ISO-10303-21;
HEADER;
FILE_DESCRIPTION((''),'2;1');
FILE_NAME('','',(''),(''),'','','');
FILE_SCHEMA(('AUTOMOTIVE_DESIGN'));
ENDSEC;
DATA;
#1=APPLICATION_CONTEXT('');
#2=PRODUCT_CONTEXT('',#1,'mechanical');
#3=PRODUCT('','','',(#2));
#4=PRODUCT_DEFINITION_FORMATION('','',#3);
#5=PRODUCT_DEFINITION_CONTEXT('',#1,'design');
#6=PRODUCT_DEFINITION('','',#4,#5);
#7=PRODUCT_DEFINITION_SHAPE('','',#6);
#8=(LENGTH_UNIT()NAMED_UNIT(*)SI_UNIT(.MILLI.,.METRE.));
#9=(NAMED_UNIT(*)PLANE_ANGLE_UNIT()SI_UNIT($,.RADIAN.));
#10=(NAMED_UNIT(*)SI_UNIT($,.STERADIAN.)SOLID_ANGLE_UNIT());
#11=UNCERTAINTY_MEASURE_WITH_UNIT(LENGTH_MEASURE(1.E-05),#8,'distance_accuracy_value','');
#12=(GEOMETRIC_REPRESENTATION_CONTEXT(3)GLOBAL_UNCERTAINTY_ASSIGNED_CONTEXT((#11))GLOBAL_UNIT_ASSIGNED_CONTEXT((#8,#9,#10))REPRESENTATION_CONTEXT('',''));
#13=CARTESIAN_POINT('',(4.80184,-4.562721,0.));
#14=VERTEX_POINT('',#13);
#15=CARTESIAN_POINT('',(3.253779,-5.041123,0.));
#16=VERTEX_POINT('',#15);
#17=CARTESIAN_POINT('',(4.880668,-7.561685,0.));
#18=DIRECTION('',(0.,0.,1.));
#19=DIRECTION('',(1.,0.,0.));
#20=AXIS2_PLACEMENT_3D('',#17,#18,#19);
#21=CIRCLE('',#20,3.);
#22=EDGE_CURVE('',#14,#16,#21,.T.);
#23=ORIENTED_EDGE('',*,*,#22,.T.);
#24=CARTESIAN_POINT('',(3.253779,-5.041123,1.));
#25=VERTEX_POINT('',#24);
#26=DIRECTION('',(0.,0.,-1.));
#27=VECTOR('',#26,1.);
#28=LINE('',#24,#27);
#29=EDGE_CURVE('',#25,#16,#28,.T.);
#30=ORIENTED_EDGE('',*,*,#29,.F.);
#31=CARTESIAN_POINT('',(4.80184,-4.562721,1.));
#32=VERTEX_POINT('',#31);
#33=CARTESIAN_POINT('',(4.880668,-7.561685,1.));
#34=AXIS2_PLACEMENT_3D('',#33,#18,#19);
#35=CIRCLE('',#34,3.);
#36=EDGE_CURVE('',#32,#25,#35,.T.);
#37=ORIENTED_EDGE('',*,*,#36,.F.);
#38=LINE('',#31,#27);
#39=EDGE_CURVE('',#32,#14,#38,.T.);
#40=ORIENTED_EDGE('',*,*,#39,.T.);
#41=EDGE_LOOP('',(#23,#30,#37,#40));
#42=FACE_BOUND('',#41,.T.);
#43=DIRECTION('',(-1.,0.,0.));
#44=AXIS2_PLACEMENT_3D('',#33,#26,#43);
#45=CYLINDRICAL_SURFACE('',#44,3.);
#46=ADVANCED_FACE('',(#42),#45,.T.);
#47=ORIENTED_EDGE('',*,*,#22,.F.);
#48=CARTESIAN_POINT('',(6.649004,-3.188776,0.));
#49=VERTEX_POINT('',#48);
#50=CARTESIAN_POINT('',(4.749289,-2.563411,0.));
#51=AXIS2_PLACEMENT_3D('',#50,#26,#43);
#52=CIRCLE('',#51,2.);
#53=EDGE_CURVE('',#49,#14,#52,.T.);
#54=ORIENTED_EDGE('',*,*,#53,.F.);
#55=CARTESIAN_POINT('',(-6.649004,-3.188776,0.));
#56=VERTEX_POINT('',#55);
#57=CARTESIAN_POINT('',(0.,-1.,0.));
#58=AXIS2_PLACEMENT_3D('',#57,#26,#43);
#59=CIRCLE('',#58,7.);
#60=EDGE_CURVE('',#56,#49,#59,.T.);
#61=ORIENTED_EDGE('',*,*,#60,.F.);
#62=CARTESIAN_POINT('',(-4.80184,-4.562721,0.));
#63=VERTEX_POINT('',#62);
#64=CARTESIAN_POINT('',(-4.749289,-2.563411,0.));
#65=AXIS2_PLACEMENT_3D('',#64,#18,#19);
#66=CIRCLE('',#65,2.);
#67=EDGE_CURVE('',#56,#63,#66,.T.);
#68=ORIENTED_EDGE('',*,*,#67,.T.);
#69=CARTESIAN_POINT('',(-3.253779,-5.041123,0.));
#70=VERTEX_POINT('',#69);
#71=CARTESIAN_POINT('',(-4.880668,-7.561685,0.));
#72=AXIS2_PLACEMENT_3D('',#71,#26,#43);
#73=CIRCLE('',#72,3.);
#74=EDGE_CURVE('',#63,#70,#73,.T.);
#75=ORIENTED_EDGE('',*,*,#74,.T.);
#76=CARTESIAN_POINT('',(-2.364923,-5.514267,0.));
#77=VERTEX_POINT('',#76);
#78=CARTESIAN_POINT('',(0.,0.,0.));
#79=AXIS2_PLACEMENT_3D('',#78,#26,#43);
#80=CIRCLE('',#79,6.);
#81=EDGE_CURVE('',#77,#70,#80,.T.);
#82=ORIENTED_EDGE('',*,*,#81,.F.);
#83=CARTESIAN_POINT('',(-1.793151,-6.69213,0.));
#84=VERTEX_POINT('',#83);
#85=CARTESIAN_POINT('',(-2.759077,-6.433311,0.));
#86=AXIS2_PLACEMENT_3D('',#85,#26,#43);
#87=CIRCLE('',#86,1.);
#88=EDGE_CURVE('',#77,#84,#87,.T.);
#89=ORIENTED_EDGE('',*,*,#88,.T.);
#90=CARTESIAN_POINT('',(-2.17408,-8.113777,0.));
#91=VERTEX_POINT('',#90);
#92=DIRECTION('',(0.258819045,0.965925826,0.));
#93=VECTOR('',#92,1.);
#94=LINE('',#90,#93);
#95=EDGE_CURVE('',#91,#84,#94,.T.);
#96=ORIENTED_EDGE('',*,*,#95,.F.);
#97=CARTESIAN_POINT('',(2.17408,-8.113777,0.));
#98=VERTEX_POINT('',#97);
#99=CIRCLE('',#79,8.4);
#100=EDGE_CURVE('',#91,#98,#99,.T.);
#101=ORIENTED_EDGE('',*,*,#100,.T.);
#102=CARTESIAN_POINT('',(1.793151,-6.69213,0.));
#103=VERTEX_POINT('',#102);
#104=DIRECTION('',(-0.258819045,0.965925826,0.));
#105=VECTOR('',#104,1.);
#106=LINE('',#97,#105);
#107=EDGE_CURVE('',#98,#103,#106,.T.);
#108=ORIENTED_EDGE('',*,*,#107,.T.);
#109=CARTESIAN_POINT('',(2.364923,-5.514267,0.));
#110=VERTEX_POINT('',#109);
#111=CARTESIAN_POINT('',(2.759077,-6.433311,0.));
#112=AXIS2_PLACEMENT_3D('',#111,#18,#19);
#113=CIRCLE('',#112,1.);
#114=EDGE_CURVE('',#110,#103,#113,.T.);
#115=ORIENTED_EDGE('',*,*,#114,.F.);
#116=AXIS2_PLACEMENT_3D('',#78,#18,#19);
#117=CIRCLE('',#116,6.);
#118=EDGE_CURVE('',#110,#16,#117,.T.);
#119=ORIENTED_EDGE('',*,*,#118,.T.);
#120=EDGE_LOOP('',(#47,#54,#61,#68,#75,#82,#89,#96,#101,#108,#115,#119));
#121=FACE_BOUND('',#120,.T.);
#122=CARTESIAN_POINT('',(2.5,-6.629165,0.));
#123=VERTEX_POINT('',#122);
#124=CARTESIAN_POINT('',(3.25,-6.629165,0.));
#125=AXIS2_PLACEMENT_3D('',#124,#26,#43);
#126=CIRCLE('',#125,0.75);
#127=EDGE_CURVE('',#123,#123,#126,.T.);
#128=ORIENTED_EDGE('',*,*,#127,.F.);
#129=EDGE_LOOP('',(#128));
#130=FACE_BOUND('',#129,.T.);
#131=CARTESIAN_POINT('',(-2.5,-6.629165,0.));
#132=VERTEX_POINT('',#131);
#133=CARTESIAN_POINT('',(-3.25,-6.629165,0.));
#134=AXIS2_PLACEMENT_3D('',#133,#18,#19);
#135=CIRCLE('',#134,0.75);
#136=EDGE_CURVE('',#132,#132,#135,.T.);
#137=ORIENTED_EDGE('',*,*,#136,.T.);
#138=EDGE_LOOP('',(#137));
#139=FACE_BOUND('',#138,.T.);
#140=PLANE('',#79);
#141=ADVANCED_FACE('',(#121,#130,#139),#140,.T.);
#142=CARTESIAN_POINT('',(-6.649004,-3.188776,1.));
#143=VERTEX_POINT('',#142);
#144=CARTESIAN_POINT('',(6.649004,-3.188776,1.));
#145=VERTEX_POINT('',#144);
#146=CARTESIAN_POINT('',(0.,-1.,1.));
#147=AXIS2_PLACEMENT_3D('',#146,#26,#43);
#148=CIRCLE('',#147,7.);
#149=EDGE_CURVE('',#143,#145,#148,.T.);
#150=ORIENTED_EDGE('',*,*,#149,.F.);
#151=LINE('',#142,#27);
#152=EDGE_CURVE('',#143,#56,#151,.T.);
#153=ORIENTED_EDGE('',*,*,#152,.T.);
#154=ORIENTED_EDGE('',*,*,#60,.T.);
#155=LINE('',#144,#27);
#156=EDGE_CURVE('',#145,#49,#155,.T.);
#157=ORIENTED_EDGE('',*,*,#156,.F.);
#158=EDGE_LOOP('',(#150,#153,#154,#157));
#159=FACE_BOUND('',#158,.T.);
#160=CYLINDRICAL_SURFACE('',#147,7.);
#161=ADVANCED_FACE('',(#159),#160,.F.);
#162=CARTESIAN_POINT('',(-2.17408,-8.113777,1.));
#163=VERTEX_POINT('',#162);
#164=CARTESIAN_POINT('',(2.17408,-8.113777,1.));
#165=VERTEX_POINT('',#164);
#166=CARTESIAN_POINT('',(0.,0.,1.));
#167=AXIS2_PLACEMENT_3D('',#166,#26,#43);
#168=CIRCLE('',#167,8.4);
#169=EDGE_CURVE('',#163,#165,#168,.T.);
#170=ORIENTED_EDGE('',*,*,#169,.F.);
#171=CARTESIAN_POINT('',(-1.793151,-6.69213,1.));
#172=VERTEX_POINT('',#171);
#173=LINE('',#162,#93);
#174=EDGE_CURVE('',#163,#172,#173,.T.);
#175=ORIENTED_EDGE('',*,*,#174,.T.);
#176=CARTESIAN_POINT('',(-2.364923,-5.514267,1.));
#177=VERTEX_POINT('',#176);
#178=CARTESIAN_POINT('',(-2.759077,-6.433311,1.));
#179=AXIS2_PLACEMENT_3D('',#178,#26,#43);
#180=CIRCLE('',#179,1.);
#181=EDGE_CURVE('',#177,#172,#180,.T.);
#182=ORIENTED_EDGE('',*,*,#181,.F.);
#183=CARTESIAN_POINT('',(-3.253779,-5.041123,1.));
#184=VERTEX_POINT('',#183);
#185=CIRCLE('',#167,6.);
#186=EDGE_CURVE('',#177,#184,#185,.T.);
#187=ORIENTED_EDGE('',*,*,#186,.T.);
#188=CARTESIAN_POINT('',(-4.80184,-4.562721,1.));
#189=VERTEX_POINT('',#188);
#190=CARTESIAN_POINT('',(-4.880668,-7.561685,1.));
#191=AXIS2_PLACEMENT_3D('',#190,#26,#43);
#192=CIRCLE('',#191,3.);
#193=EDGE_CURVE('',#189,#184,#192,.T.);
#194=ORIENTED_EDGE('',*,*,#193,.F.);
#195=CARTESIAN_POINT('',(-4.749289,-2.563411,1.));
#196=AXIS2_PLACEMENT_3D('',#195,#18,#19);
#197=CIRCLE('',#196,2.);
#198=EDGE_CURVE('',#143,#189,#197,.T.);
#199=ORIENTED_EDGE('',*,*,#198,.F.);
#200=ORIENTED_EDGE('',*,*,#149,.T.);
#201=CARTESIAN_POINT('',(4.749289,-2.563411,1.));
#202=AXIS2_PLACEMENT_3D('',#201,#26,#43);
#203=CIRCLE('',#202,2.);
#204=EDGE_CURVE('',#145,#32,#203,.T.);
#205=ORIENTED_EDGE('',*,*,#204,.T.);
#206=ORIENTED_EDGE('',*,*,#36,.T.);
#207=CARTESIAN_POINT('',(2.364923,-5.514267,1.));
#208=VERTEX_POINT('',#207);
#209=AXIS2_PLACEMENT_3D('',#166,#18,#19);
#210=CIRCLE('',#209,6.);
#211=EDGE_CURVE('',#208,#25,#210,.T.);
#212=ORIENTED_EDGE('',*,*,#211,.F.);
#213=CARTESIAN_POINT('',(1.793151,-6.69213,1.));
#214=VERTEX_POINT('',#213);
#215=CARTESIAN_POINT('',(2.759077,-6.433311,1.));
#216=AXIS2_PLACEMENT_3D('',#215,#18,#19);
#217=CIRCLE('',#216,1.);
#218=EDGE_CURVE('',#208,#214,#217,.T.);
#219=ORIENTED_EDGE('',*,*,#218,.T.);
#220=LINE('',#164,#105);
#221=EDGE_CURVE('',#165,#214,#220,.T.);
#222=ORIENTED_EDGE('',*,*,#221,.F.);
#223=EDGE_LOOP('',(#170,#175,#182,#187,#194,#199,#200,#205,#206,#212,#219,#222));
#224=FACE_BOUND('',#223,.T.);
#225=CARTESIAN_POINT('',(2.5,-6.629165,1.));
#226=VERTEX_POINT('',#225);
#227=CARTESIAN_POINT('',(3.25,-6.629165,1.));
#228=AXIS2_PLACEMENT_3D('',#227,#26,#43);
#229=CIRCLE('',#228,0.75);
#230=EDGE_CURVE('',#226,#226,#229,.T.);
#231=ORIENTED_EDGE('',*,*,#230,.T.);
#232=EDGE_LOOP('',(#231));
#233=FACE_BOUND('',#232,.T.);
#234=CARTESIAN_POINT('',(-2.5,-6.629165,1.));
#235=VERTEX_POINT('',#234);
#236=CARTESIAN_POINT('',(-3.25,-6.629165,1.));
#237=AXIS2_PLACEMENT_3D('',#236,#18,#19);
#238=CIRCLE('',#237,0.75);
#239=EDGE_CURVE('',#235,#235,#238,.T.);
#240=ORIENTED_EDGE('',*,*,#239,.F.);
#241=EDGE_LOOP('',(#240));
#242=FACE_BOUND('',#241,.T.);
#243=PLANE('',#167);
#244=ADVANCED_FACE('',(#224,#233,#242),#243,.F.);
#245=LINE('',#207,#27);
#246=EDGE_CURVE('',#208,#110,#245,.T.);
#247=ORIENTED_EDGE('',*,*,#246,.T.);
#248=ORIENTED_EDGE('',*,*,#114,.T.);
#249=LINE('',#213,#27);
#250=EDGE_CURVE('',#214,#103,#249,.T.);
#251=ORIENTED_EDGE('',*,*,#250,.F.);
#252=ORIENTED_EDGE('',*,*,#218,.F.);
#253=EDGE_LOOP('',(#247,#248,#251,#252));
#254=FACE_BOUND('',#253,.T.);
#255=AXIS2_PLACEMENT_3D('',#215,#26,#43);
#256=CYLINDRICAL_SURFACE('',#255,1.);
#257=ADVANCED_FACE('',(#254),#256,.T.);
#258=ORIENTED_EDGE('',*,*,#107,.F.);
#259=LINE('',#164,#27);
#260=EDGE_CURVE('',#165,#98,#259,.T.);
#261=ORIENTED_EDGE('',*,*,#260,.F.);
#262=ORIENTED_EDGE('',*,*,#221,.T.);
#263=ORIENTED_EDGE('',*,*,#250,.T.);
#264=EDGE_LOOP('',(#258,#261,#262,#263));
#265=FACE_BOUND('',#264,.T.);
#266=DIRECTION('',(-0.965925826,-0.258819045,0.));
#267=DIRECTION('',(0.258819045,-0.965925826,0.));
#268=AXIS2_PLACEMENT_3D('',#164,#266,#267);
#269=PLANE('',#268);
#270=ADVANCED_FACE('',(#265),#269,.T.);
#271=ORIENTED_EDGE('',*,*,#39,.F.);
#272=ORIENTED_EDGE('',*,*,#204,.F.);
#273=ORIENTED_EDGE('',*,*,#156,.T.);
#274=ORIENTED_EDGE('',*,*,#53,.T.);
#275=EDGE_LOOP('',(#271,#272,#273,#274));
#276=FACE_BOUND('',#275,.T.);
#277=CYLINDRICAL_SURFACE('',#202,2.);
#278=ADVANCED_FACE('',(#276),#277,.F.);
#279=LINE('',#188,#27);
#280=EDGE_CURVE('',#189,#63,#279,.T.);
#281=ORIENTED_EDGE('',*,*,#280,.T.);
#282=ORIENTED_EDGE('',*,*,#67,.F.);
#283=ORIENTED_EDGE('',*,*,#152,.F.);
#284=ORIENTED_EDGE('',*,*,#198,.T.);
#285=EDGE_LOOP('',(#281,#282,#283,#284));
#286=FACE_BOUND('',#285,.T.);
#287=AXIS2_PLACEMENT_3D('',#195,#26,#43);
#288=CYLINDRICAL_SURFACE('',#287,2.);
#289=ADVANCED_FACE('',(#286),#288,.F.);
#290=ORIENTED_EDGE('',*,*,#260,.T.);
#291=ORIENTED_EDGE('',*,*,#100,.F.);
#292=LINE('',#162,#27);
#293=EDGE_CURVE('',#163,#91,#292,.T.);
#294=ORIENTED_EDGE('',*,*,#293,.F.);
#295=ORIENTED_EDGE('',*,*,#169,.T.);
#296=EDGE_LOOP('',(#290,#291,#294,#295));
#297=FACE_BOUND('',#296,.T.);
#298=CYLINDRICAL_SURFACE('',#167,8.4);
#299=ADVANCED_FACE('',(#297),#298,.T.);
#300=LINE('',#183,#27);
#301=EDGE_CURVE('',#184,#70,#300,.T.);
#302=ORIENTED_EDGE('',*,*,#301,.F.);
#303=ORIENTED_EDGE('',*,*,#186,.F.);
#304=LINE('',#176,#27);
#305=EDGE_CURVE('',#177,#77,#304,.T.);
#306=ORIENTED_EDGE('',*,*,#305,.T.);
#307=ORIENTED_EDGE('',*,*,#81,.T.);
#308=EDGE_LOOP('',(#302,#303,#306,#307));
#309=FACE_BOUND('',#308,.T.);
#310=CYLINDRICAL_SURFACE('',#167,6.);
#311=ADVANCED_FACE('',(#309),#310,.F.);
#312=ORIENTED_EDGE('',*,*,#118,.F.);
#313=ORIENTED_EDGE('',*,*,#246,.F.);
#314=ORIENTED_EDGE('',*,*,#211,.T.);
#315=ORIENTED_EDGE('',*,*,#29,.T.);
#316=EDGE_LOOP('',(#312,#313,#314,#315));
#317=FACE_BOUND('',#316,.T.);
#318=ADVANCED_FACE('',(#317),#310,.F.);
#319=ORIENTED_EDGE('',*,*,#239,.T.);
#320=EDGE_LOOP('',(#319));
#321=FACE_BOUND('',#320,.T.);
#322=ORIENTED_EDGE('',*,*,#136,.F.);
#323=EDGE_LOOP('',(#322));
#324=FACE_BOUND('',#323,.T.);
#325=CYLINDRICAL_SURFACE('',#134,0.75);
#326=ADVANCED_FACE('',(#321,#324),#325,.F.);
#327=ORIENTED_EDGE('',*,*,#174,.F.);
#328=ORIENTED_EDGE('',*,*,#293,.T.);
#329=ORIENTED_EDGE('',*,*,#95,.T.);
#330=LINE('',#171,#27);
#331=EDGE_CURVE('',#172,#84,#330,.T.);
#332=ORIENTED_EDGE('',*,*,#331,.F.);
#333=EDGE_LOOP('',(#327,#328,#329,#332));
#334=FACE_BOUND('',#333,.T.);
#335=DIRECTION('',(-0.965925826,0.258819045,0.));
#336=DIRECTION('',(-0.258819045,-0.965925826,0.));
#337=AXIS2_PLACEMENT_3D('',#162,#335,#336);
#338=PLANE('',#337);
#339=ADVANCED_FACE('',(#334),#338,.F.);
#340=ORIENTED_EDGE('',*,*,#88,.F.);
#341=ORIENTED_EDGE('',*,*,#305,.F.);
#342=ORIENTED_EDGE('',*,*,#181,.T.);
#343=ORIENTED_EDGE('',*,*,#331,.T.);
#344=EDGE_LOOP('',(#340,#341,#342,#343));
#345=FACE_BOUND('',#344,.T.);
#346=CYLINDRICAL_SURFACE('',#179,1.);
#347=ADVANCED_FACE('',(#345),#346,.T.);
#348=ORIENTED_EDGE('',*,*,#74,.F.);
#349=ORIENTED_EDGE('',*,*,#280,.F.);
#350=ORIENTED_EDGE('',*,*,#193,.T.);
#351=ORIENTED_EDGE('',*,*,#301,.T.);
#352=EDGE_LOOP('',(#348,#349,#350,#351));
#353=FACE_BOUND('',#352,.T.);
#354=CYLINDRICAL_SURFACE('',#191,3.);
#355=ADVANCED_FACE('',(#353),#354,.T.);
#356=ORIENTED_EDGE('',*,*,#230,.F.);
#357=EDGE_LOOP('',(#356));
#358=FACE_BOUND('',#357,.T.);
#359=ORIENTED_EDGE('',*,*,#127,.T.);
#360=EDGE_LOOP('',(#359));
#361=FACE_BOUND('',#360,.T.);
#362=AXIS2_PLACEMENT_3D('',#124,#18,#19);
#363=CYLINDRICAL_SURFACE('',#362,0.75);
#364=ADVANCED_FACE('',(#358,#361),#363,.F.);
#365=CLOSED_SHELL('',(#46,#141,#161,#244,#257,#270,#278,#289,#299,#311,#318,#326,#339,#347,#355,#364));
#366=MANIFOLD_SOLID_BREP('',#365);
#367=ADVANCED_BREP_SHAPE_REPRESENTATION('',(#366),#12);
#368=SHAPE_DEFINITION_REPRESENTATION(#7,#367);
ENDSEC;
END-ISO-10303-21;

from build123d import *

# Parameters (mm, degrees)
BASE_EXTRUSION_DEPTH    = 1
ESQUISSE2_R             = 0.75
ENL_V_MAT_EXTRU_1_DEPTH = 2


with BuildPart() as part:
    # Esquisse1 → Base-Extrusion (new body)
    with BuildSketch(Plane.XY):
        with BuildLine():
            Line((-2.174079979, -8.113776941), (-1.793150944, -6.69213043))
            ThreePointArc((-1.793150944, -6.69213043), (-1.859468641, -5.996613305), (-2.364922946, -5.514266901))
            ThreePointArc((-2.364922946, -5.514266901), (-2.819293841, -5.296374443), (-3.253778531, -5.041123414))
            ThreePointArc((-3.253778531, -5.041123414), (-3.994900026, -4.695430516), (-4.80184043, -4.562720925))
            ThreePointArc((-4.80184043, -4.562720925), (-5.942925253, -4.168164446), (-6.649004393, -3.188776046))
            ThreePointArc((-6.649004393, -3.188776046), (-5.671041894, 3.103569646), (0, 6))
            Line((0, 6), (0, 8.4))
            ThreePointArc((0, 8.4), (-8.328136836, 1.096420015), (-2.174079979, -8.113776941))
        make_face()
    base_extrusion = extrude(amount=BASE_EXTRUSION_DEPTH)

    # Symétrie1: Base-Extrusion across Right Plane
    add(base_extrusion.mirror(Plane(origin=(0, 0, 0), x_dir=(0, 0, -1), z_dir=(1, 0, 0))))

    # Esquisse2 → Enlèv. mat.-Extru.1 (cut, through all)
    with BuildSketch(Plane.XY.offset(1)):
        with Locations((-3.25, -6.629165125)):
            Circle(ESQUISSE2_R)
    enl_v_mat_extru_1 = extrude(amount=-ENL_V_MAT_EXTRU_1_DEPTH, mode=Mode.SUBTRACT)

    # Symétrie2: Enlèv. mat.-Extru.1 across plane
    add(enl_v_mat_extru_1.mirror(Plane(origin=(0, 0, 0), x_dir=(0, 0, 1), z_dir=(1, 0, 0))), mode=Mode.SUBTRACT)


solid = part.part
